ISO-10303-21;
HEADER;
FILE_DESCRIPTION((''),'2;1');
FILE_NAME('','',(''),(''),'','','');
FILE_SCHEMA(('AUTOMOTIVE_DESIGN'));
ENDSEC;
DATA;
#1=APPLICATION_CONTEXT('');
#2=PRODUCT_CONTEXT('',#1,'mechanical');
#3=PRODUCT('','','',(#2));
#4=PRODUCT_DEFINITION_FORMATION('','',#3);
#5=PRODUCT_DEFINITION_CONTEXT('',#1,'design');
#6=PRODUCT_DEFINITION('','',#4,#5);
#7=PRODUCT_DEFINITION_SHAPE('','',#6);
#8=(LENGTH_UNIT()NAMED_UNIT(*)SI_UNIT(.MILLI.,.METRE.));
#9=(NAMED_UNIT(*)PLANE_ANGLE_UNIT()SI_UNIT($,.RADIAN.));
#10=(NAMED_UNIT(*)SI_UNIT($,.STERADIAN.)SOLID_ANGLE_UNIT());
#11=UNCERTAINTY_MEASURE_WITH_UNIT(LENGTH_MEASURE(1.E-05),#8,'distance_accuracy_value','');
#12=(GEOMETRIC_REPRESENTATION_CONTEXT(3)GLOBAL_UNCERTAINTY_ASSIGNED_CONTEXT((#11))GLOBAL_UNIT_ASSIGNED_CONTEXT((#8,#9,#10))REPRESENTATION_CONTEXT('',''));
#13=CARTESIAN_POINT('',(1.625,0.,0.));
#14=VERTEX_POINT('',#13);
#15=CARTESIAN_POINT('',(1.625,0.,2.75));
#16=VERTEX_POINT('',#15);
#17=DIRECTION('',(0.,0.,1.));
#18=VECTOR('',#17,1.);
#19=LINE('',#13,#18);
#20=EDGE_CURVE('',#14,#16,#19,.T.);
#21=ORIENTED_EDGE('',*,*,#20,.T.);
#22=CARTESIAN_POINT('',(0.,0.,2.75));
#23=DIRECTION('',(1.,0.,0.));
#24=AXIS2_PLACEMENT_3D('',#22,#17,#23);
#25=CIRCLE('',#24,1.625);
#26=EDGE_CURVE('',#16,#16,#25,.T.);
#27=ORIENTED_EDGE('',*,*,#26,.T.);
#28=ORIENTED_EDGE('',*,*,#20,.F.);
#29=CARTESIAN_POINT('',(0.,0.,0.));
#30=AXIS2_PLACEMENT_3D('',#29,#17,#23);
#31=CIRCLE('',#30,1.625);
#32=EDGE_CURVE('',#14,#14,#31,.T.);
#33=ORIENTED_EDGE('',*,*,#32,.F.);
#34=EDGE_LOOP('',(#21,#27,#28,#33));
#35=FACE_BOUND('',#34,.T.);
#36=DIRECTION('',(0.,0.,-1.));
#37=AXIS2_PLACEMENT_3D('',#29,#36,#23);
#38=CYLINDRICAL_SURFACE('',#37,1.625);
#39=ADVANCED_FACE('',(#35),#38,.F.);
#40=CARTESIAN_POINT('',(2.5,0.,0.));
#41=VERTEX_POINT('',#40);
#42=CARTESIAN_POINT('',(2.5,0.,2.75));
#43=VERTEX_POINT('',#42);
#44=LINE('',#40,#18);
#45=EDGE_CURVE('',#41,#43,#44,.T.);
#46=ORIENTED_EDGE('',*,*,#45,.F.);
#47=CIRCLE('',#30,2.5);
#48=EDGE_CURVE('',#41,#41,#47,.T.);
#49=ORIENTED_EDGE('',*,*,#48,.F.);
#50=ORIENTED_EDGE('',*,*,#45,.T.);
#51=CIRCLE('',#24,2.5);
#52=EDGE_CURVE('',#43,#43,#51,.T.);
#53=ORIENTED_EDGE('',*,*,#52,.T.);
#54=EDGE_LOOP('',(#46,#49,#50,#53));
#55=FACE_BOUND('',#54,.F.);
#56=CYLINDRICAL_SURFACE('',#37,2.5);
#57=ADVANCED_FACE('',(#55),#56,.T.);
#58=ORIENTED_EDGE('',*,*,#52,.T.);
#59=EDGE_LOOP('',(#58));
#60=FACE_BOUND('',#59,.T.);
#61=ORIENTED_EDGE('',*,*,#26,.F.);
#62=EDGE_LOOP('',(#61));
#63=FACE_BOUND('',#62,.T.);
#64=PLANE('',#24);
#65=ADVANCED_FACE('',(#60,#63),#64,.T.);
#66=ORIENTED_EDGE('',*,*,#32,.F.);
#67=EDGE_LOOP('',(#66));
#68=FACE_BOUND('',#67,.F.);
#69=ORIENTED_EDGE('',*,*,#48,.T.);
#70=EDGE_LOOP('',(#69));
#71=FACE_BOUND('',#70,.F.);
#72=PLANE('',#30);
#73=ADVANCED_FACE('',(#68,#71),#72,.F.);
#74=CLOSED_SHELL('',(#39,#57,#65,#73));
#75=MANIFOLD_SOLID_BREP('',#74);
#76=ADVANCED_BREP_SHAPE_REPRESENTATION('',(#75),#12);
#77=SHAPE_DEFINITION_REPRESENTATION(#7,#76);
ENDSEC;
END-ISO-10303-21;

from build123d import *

# Parameters (mm, degrees)
SKETCH_R   = 2.5
SKETCH_R_2 = 1.625
PAD_DEPTH  = 2.75


with BuildPart() as part:
    # Sketch → Pad (new body)
    with BuildSketch(Plane.XY):
        Circle(SKETCH_R)
        Circle(SKETCH_R_2, mode=Mode.SUBTRACT)
    extrude(amount=PAD_DEPTH)


solid = part.part
